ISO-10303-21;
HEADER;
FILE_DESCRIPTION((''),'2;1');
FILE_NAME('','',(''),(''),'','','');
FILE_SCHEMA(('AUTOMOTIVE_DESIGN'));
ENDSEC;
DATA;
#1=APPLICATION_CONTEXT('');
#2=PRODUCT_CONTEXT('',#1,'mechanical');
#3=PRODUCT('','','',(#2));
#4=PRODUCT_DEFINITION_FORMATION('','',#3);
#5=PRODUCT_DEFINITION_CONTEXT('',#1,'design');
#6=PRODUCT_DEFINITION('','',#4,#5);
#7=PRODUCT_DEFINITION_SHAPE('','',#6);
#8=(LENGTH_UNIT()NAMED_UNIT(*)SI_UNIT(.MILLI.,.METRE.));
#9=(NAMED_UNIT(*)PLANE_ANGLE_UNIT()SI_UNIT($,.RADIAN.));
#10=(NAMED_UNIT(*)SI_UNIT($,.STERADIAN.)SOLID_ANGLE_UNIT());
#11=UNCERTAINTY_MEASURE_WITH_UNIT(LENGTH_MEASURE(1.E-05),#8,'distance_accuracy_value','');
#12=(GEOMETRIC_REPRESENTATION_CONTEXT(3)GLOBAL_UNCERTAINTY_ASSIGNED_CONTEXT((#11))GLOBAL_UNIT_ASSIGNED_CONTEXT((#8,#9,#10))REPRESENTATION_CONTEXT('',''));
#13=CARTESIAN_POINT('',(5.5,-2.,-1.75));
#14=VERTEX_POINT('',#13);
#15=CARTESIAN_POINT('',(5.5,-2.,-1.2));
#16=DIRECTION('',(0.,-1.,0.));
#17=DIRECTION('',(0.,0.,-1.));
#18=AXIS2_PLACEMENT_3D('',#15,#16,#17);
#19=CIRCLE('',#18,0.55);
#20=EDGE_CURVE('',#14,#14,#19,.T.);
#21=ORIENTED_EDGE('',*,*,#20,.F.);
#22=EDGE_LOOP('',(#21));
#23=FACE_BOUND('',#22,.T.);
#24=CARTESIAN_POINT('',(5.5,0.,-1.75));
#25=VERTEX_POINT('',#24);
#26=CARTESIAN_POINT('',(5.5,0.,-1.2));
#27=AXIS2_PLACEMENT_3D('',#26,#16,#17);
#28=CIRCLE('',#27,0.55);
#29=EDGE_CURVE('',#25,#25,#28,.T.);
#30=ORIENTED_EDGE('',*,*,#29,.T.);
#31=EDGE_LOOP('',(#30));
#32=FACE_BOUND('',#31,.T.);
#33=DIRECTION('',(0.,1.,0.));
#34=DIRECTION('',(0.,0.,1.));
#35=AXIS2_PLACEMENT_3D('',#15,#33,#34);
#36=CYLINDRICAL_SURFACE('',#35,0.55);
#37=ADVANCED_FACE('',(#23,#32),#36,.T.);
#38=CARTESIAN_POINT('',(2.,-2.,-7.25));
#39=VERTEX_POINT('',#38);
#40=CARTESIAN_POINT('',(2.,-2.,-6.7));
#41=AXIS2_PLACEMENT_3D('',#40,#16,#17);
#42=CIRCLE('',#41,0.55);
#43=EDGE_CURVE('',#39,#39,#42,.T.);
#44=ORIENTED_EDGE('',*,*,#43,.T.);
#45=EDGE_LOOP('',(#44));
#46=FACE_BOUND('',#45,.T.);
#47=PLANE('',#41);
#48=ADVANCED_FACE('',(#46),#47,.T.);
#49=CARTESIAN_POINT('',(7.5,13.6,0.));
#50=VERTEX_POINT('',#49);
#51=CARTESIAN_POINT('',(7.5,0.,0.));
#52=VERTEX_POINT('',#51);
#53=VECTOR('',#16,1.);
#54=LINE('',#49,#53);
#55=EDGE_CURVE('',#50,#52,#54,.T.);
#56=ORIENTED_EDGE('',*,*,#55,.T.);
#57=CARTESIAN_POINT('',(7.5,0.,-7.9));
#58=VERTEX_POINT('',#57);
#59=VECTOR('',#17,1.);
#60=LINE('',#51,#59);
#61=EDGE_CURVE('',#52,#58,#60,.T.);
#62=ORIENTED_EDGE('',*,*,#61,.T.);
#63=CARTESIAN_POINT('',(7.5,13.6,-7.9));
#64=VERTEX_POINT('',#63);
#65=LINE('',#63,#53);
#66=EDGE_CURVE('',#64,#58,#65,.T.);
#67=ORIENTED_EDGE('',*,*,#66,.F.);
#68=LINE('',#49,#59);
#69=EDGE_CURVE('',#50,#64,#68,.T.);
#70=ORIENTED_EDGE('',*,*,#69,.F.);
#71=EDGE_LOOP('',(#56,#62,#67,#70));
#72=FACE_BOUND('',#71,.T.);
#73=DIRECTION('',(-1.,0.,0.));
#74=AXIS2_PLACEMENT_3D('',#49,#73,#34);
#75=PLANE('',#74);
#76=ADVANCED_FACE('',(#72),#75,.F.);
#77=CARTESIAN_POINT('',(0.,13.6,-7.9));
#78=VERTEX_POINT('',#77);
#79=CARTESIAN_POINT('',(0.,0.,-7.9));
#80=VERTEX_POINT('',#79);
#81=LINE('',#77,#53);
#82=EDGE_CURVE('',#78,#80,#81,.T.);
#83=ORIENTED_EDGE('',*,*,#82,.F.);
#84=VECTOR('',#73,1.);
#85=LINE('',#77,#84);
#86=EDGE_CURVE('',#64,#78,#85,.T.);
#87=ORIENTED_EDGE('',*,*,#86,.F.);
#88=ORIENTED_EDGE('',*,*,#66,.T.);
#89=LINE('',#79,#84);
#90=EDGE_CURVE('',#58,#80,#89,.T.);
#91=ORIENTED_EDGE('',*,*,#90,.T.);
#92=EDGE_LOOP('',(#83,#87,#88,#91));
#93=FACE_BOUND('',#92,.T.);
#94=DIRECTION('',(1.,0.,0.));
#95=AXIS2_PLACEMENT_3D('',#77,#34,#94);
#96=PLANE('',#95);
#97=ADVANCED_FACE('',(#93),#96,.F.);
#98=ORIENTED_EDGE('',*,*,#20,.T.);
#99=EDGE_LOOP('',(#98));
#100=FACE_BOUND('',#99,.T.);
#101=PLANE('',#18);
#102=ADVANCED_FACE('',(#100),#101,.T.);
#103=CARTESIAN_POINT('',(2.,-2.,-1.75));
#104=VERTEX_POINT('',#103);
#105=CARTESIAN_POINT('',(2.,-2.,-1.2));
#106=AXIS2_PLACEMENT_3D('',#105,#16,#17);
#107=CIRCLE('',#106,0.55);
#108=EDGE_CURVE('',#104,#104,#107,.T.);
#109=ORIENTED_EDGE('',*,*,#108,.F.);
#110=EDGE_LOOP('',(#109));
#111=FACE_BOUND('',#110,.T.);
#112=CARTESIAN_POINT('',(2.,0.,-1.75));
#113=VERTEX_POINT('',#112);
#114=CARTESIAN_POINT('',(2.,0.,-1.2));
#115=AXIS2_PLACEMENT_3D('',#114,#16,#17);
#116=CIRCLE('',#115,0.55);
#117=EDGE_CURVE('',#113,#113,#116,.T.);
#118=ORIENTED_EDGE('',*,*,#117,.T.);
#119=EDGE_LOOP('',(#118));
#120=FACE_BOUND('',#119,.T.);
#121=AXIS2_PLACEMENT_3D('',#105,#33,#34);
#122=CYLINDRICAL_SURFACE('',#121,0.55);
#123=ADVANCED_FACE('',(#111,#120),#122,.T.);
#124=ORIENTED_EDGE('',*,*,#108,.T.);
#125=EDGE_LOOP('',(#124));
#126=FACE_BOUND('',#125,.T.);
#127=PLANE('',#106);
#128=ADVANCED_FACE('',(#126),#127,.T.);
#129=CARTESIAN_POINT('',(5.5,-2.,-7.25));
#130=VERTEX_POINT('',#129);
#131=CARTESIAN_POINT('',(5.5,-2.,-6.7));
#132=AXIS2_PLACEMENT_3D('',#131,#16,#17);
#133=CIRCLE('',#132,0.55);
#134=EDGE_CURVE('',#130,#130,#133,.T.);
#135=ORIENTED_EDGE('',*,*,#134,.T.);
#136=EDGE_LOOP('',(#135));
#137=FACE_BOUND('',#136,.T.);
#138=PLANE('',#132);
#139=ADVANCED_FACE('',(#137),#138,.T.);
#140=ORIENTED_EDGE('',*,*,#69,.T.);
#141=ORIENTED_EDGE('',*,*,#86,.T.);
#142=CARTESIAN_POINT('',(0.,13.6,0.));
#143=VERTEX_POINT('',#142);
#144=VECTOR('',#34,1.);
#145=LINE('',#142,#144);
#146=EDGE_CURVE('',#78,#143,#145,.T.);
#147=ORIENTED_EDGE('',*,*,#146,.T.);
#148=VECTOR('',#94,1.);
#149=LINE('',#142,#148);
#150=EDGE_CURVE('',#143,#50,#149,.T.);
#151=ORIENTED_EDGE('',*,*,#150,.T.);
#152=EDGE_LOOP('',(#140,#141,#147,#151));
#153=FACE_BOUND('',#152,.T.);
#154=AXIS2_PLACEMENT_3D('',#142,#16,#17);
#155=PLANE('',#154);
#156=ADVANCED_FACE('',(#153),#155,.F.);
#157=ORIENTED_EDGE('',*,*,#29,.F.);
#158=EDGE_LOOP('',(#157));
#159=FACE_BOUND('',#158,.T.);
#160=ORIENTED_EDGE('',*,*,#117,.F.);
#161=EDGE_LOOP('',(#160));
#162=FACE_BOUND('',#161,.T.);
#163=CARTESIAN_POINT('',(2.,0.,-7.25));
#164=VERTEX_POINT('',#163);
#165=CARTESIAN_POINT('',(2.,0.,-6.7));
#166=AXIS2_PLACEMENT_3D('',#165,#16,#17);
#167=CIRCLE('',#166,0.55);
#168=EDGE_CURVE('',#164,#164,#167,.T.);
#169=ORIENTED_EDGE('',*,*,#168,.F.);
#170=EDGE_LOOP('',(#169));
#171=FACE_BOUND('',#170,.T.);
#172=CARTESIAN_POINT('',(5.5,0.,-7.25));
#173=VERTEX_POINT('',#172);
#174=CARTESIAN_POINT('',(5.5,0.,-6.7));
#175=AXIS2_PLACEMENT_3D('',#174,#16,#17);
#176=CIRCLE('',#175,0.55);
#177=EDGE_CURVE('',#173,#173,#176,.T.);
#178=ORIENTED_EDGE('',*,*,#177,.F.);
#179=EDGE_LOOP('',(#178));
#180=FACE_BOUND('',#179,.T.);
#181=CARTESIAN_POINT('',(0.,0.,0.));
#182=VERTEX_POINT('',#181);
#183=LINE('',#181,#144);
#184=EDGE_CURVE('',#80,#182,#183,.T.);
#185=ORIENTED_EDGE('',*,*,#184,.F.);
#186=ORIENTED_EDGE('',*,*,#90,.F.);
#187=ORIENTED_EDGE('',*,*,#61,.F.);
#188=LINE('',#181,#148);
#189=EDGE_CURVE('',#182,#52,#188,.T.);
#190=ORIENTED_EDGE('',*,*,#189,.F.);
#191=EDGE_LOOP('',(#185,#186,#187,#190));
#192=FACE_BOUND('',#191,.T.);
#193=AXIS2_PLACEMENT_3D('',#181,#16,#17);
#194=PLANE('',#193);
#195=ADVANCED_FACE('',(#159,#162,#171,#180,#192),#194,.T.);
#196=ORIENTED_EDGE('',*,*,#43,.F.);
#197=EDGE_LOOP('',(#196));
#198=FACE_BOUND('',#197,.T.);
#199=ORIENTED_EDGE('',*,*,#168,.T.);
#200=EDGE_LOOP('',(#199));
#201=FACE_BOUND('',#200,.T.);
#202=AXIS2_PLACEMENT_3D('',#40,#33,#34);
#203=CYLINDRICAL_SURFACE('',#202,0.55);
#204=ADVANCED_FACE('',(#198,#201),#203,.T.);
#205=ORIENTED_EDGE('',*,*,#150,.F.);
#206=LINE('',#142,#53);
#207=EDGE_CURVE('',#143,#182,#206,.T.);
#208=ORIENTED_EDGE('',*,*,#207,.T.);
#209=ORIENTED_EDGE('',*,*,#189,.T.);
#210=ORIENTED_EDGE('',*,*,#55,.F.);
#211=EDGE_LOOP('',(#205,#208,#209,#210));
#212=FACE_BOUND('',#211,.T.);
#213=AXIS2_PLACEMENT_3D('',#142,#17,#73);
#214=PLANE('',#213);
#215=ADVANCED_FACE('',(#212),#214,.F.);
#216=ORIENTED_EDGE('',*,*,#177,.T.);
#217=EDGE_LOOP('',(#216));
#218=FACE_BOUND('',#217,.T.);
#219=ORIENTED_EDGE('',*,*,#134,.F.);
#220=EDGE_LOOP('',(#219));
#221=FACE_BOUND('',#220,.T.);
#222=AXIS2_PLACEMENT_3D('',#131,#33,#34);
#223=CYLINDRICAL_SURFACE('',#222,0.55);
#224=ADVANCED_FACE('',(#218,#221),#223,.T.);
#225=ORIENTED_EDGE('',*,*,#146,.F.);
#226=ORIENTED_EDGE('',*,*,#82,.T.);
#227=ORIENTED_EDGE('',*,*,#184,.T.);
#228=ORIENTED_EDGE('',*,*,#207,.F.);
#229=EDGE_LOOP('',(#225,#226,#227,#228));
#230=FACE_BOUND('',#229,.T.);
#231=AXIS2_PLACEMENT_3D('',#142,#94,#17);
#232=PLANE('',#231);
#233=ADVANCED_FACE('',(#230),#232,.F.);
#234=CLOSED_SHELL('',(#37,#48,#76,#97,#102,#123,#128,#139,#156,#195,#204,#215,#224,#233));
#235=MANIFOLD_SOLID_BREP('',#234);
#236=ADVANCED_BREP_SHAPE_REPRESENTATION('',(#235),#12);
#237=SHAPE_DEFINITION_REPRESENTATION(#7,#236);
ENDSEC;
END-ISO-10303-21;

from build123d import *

# Parameters (mm, degrees)
SKETCH1_W           = 7.5
SKETCH1_H           = 7.9
BOSS_EXTRUDE1_DEPTH = 13.6
SKETCH2_R           = 0.55
BOSS_EXTRUDE2_DEPTH = 2


with BuildPart() as part:
    # Sketch1 → Boss-Extrude1 (new body)
    with BuildSketch(Plane(origin=(0, 0, 0), x_dir=(1, 0, 0), z_dir=(0, 1, 0))):
        with Locations((3.75, 3.95)):
            Rectangle(SKETCH1_W, SKETCH1_H)
    extrude(amount=BOSS_EXTRUDE1_DEPTH)

    # Sketch2 → Boss-Extrude2 (add)
    with BuildSketch(Plane(origin=(0, 0, 0), x_dir=(-1, 0, 0), z_dir=(0, -1, 0))):
        with Locations(Location((-2, 1.2, 0), (0, 0, 90))):
            Circle(SKETCH2_R)
        with Locations(Location((-2, 6.7, 0), (0, 0, 90))):
            Circle(SKETCH2_R)
        with Locations(Location((-5.5, 1.2, 0), (0, 0, 90))):
            Circle(SKETCH2_R)
        with Locations(Location((-5.5, 6.7, 0), (0, 0, 90))):
            Circle(SKETCH2_R)
    extrude(amount=BOSS_EXTRUDE2_DEPTH)


solid = part.part
